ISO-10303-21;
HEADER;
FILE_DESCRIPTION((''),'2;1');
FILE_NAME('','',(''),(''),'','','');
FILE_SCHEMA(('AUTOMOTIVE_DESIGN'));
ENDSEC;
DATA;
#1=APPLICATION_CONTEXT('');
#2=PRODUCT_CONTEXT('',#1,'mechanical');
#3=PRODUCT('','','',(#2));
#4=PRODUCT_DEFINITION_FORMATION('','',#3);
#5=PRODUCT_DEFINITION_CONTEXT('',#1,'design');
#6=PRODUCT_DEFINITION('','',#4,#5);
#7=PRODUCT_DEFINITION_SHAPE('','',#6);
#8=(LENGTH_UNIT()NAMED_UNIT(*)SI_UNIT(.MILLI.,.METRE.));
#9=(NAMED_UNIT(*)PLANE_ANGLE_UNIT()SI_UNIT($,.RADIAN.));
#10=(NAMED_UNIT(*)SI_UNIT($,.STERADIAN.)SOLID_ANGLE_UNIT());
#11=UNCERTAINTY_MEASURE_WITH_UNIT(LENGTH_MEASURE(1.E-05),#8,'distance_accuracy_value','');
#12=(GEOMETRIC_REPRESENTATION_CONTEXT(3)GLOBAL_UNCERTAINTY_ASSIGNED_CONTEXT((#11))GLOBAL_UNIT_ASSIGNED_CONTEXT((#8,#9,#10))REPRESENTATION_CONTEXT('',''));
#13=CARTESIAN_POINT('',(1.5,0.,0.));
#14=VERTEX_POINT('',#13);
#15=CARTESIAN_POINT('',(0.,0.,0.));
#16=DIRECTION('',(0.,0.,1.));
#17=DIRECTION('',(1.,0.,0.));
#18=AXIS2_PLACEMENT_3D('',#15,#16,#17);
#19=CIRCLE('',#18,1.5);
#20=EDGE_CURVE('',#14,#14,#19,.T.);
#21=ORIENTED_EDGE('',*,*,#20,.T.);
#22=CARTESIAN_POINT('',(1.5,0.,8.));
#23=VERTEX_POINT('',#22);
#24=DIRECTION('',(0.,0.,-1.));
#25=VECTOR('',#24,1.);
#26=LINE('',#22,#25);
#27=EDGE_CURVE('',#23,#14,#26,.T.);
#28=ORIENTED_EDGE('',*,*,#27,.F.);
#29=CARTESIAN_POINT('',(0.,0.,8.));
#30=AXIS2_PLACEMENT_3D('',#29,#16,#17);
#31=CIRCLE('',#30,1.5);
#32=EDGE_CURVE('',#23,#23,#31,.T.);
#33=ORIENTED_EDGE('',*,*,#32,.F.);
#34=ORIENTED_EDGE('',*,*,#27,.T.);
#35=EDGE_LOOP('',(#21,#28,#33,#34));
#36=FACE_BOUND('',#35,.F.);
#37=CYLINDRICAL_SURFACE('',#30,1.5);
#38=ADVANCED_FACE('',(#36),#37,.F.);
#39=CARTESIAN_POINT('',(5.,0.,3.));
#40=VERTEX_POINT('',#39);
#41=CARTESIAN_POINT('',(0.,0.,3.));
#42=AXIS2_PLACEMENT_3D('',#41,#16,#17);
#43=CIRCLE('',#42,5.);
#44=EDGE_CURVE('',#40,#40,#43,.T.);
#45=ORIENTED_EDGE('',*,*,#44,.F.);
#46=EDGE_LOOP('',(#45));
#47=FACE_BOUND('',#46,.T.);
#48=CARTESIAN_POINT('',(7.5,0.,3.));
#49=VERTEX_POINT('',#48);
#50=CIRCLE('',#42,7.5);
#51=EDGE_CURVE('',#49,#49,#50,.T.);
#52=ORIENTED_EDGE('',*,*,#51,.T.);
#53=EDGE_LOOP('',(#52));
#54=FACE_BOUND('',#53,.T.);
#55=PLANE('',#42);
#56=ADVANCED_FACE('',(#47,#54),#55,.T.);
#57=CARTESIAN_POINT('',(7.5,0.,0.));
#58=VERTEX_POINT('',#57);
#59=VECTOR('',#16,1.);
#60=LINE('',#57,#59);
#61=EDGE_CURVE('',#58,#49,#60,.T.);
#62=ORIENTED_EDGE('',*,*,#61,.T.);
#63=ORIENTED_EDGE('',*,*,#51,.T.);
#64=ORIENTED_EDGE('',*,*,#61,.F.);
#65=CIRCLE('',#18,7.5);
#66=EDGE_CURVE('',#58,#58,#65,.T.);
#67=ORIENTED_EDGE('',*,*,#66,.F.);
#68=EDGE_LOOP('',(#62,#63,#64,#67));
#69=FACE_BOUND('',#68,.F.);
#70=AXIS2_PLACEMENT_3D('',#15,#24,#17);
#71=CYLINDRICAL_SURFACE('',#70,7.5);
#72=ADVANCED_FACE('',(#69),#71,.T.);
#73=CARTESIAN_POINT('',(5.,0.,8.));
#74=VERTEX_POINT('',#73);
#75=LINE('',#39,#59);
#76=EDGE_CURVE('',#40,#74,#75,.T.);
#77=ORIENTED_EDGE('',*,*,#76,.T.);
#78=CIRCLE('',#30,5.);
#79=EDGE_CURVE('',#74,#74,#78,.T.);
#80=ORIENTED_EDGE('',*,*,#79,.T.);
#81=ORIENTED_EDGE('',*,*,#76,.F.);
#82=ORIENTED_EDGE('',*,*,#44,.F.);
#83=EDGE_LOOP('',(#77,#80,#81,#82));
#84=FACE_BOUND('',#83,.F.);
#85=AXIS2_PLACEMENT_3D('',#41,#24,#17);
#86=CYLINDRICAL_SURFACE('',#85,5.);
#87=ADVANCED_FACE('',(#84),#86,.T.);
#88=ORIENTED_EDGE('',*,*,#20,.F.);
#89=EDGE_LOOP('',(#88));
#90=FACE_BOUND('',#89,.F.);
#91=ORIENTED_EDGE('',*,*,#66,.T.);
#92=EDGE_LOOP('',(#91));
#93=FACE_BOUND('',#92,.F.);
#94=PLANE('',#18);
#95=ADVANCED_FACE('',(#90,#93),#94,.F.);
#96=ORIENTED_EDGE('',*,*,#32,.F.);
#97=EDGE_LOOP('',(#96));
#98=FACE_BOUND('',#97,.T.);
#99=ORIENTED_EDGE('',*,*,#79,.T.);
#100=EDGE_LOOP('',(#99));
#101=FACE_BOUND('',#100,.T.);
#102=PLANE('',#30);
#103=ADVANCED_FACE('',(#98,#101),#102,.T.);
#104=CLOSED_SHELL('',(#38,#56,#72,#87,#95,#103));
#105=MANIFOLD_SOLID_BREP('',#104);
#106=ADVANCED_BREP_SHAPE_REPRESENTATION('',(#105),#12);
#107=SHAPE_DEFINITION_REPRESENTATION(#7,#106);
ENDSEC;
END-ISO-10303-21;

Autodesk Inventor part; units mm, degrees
ref_plane "YZ Plane" through (0, 0, 0) normal (1, 0, 0) x (0, 1, 0)
ref_plane "XZ Plane" through (0, 0, 0) normal (0, 1, 0) x (-1, 0, 0)
ref_plane "XY Plane" through (0, 0, 0) normal (0, 0, 1) x (1, 0, 0)
sketch "スケッチ1" plane through (0, 0, 0) normal (0, 0, 1) x (1, 0, 0)
  circle A0 centre (0, 0) radius 7.5
  dimension "d0" = 15
extrude "押し出し1" add sketch "スケッチ1" along normal blind 3
sketch "スケッチ3" plane through (0, 0, 3) normal (0, 0, 1) x (1, 0, 0)
  circle A0 centre (0, 0) radius 5
  dimension "d6" = 10
extrude "押し出し3" add sketch "スケッチ3" along normal blind 5
sketch "スケッチ4" plane through (0, 0, 8) normal (0, 0, 1) x (1, 0, 0)
  circle A0 centre (0, 0) radius 1.5
  dimension "d9" = 3
extrude "押し出し4" cut sketch "スケッチ4" against normal blind 10
properties part number "Gear3_BSS0.5-15A" material "真鍮"
